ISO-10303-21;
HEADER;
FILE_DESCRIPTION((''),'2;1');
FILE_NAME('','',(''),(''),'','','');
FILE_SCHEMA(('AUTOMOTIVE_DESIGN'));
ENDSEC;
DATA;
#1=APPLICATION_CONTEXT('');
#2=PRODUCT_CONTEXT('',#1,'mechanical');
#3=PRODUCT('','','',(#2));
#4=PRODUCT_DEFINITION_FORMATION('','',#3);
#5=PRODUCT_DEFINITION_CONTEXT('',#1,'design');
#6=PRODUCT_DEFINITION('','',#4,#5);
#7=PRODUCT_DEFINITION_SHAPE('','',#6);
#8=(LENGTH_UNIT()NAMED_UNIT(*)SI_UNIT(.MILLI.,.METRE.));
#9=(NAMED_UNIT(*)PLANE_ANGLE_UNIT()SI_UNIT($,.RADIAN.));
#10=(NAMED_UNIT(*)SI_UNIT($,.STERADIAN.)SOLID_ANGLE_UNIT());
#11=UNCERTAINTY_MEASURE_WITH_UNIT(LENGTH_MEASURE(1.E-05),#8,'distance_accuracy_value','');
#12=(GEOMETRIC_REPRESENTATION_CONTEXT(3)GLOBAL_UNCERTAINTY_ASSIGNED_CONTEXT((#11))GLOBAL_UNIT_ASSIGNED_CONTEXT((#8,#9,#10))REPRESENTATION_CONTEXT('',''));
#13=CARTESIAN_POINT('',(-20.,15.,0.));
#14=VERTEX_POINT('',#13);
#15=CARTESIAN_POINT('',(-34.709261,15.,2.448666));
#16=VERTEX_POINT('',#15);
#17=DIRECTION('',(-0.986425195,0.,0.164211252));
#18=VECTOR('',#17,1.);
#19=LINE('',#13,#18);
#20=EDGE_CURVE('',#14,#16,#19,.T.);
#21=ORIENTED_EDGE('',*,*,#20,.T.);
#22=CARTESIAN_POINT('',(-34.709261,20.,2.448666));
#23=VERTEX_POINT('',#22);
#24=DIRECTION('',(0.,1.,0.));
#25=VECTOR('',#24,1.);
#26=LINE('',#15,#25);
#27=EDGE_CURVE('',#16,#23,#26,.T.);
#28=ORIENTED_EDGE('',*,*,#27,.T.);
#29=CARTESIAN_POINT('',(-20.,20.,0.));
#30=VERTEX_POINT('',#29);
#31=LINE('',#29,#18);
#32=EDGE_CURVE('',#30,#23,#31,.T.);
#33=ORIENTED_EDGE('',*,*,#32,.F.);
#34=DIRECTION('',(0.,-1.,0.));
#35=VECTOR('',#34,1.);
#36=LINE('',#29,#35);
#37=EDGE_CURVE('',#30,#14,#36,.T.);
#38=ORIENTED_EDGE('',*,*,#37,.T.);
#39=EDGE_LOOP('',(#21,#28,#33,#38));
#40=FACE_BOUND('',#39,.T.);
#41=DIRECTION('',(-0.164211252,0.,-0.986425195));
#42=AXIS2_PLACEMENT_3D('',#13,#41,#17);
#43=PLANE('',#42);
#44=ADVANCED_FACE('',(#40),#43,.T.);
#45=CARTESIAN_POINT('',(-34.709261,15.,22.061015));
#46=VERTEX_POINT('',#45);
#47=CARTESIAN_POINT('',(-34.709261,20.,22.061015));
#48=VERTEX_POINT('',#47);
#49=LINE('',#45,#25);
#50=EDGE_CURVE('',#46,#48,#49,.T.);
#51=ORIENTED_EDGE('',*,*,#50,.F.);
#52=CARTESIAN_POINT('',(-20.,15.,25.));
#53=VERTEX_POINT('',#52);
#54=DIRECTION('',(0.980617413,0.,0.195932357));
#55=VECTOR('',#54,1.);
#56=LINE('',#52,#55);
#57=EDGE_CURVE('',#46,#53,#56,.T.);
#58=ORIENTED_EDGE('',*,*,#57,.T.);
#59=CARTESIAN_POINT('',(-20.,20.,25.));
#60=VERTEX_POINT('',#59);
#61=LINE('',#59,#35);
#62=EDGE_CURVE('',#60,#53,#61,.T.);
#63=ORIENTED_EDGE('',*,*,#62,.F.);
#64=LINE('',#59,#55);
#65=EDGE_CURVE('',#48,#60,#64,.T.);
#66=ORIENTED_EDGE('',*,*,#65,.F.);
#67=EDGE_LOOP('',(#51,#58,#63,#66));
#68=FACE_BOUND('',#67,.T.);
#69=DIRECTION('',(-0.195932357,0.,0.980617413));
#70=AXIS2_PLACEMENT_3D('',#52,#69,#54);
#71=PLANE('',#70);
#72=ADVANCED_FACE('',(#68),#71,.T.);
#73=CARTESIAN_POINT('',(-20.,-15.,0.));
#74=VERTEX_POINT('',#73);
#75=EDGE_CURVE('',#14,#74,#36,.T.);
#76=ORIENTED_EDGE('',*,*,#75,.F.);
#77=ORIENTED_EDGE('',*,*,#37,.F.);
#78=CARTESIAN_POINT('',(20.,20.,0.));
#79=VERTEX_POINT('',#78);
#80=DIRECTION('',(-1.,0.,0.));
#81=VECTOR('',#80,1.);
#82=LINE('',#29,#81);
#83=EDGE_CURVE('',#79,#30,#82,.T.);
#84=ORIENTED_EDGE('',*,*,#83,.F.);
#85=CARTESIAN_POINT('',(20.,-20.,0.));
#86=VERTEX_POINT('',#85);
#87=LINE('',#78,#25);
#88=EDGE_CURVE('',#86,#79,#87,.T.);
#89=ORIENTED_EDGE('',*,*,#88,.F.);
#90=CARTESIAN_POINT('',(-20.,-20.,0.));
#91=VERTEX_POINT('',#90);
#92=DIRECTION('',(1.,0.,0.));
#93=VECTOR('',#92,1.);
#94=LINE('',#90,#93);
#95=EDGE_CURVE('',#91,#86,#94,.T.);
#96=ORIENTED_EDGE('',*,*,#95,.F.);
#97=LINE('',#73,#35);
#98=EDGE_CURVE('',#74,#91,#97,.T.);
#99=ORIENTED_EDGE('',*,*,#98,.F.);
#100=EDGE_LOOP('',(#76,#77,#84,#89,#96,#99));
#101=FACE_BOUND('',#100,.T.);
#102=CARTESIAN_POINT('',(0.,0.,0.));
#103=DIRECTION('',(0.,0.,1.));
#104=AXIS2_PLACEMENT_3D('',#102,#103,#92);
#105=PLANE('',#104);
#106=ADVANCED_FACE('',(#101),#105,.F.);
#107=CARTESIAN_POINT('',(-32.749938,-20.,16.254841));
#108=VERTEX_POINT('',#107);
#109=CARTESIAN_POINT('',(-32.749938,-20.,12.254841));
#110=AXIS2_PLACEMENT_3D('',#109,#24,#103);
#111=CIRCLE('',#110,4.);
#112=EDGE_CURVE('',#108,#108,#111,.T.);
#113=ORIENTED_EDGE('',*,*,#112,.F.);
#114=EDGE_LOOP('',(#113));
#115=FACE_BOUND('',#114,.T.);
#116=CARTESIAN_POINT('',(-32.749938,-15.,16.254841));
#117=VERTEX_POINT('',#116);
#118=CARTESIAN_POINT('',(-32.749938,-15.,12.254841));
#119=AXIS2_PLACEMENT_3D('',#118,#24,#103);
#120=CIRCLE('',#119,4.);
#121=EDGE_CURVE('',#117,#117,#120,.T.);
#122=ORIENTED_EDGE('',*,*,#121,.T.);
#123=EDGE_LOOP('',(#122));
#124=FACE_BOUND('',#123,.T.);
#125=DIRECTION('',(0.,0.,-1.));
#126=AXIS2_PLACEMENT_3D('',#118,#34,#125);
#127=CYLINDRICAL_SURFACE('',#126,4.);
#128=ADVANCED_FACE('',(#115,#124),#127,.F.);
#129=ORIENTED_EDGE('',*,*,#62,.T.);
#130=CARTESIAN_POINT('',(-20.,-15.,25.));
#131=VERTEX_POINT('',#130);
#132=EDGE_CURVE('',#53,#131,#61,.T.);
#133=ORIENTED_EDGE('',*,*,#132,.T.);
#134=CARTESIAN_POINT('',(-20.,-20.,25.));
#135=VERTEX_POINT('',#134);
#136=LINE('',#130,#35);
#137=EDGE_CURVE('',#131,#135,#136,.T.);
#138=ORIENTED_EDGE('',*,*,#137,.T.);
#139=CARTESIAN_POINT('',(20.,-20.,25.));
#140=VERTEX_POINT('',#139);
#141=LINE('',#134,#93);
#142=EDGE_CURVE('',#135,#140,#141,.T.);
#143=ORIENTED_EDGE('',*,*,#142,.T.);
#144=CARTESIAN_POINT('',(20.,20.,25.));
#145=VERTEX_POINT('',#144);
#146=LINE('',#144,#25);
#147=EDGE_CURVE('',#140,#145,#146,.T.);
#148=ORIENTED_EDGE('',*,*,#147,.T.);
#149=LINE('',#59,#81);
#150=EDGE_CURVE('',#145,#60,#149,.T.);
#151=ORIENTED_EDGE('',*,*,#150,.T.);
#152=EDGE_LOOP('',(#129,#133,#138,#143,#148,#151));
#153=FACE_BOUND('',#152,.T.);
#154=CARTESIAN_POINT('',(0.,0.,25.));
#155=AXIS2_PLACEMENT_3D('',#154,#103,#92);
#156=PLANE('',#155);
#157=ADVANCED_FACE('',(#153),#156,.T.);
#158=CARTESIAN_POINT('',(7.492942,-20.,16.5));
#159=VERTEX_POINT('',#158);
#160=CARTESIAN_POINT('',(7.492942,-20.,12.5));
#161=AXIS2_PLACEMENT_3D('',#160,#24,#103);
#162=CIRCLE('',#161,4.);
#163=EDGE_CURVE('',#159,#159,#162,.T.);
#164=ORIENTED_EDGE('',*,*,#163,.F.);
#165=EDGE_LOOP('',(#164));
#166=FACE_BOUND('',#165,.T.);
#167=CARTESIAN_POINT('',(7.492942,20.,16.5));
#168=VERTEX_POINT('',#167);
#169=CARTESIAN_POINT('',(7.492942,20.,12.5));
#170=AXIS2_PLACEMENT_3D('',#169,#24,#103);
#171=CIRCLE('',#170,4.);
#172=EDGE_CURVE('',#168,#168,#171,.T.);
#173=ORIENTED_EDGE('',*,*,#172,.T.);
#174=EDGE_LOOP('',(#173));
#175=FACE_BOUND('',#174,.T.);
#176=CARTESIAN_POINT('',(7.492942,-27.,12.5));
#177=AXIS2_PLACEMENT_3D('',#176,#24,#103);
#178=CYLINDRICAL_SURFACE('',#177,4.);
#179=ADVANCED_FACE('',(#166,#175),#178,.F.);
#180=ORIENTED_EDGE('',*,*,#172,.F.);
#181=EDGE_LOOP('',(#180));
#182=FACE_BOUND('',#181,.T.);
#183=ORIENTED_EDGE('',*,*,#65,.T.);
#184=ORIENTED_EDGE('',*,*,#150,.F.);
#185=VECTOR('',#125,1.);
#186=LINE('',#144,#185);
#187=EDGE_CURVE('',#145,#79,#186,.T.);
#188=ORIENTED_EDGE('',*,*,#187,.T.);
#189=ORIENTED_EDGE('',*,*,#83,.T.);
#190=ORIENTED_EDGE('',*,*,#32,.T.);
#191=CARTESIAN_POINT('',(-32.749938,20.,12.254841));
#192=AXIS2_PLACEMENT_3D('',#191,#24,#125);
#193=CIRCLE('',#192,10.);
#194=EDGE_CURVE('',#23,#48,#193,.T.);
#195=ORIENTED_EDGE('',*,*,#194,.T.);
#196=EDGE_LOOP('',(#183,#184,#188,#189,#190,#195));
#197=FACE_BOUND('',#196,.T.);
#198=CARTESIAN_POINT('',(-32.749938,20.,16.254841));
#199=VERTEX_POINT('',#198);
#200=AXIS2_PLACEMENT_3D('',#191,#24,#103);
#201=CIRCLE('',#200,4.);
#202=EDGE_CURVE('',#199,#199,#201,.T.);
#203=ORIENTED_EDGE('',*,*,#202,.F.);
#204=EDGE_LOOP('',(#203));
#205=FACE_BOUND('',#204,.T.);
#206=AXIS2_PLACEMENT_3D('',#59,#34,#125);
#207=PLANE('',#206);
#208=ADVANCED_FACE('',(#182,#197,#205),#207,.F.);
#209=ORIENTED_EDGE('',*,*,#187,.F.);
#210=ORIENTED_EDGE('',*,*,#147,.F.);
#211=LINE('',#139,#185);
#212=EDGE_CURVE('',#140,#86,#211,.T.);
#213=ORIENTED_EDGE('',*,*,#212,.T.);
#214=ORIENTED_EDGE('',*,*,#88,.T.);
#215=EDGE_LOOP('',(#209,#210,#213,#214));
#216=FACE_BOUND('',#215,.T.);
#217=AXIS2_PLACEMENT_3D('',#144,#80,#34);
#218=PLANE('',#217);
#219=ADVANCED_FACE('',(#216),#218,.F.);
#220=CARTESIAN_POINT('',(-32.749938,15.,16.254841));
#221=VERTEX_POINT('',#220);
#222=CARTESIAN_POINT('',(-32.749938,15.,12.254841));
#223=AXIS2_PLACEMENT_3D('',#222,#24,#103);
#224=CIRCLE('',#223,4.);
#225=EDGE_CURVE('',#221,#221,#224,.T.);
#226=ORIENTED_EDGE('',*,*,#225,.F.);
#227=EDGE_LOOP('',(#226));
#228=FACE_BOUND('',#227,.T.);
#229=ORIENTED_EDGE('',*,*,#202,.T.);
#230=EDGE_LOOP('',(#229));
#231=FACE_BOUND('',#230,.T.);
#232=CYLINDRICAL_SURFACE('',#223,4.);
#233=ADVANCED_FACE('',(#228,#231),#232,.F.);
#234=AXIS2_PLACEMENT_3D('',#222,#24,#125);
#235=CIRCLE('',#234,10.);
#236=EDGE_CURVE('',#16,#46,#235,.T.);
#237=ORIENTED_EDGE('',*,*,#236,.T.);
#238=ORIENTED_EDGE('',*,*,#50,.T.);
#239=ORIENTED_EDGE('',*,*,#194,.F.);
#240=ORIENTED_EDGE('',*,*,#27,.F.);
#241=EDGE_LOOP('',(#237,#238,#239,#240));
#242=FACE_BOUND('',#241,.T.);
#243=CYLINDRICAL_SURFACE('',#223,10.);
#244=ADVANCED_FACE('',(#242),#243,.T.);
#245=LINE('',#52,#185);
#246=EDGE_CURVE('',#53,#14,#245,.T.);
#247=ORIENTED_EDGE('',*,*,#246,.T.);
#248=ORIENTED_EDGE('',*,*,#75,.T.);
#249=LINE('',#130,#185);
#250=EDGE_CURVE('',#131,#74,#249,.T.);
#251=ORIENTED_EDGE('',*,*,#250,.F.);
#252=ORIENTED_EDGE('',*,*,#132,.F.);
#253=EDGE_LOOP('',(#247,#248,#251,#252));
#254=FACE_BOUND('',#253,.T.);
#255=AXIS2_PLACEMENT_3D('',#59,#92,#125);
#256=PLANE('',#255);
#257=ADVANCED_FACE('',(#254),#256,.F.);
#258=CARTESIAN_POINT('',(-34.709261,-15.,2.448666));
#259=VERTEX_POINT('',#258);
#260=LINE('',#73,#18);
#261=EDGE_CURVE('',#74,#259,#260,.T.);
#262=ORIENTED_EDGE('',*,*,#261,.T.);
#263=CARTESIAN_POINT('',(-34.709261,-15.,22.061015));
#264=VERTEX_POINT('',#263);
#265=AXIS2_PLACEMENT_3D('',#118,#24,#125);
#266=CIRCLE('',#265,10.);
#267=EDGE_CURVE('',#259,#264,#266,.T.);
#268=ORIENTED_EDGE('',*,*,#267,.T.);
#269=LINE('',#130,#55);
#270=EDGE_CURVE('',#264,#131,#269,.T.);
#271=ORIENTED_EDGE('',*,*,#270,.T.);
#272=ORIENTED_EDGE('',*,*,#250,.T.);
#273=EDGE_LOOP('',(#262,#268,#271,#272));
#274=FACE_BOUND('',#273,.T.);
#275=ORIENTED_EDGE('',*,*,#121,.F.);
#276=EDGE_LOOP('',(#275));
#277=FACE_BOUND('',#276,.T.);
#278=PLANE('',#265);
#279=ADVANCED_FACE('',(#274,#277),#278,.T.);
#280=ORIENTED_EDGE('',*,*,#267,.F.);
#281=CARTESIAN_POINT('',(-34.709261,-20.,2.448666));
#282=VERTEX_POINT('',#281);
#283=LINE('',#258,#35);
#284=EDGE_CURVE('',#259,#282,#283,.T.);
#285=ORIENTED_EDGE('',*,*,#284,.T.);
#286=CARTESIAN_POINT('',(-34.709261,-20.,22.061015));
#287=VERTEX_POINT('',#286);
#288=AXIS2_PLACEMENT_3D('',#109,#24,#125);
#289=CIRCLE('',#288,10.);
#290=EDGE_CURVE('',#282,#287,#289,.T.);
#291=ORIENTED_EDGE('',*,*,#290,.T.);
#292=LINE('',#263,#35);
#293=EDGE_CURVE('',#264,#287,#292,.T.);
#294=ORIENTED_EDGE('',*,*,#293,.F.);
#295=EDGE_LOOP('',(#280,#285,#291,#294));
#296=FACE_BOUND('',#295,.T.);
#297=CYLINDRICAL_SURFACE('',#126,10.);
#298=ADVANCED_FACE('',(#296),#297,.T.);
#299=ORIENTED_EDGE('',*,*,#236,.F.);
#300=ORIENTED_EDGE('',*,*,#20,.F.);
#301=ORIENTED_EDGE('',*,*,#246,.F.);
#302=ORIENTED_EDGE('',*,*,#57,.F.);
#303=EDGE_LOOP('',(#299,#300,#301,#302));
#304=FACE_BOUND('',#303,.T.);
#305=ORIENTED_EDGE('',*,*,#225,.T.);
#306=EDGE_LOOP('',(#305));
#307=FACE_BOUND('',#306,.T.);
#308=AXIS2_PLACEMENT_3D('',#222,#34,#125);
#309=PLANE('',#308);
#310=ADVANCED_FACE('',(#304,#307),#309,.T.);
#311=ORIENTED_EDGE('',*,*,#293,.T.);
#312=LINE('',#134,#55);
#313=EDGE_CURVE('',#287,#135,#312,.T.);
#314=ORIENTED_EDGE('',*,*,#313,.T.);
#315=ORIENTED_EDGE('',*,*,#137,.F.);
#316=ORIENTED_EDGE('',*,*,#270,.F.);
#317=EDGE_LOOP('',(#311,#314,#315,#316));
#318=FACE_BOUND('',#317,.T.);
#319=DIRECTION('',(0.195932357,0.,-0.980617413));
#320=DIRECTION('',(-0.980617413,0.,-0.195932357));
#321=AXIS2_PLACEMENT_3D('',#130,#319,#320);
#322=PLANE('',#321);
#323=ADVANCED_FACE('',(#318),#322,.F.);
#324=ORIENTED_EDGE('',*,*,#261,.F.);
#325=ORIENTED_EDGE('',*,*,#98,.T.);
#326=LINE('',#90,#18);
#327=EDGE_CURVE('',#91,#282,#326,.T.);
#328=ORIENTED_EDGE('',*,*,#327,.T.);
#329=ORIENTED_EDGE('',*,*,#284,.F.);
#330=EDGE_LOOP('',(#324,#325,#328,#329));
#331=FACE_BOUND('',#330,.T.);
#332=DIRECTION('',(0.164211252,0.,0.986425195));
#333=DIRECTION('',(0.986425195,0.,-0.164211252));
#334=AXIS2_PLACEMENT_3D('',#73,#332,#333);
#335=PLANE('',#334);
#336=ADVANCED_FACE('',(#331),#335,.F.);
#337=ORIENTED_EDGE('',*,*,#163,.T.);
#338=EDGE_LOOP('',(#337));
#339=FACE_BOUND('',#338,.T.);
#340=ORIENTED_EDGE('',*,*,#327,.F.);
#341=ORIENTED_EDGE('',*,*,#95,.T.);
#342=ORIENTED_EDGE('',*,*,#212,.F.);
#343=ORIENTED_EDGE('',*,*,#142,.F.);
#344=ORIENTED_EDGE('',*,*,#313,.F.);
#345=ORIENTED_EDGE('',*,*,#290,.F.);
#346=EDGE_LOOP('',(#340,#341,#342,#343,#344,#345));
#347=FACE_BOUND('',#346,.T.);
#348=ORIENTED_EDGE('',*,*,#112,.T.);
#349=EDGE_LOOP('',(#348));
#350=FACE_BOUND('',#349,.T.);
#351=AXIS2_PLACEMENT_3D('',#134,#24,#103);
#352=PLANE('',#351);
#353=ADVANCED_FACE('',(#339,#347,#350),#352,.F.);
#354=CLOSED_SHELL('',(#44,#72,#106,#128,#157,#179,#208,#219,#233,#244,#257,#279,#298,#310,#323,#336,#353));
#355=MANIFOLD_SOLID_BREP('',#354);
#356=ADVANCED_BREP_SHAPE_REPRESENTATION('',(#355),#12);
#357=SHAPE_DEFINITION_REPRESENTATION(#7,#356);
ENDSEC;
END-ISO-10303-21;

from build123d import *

# Parameters (mm, degrees)
ESQUISSE1_W             = 40
ESQUISSE1_H             = 40
BOSS_EXTRU_1_DEPTH      = 25
ESQUISSE2_R             = 4
ENL_V_MAT_EXTRU_1_DEPTH = 47
ESQUISSE4_R             = 4
BOSS_EXTRU_3_DEPTH      = 5


with BuildPart() as part:
    # Esquisse1 → Boss.-Extru.1 (new body)
    with BuildSketch(Plane.XY):
        Rectangle(ESQUISSE1_W, ESQUISSE1_H)
    extrude(amount=BOSS_EXTRU_1_DEPTH)

    # Esquisse2 → Enlèv. mat.-Extru.1 (cut)
    with BuildSketch(Plane(origin=(0, 20, 0), x_dir=(1, 0, 0), z_dir=(0, 1, 0))):
        with Locations((7.492941833, -12.5)):
            Circle(ESQUISSE2_R)
    extrude(amount=-ENL_V_MAT_EXTRU_1_DEPTH, mode=Mode.SUBTRACT)

    # Esquisse4 → Boss.-Extru.3 (add)
    with BuildSketch(Plane(origin=(0, 20, 0), x_dir=(1, 0, 0), z_dir=(0, 1, 0))):
        with BuildLine():
            Line((-20, -25), (-34.7092612, -22.061014641))
            ThreePointArc((-34.7092612, -22.061014641), (-42.749937628, -12.254840508), (-34.7092612, -2.448666374))
            Line((-34.7092612, -2.448666374), (-20, 0))
            Line((-20, 0), (-20, -25))
        make_face()
        with Locations((-32.749937628, -12.254840508)):
            Circle(ESQUISSE4_R, mode=Mode.SUBTRACT)
    boss_extru_3 = extrude(amount=-BOSS_EXTRU_3_DEPTH)

    # Symétrie2: Boss.-Extru.3 across plane
    add(boss_extru_3.mirror(Plane.ZX))


solid = part.part
